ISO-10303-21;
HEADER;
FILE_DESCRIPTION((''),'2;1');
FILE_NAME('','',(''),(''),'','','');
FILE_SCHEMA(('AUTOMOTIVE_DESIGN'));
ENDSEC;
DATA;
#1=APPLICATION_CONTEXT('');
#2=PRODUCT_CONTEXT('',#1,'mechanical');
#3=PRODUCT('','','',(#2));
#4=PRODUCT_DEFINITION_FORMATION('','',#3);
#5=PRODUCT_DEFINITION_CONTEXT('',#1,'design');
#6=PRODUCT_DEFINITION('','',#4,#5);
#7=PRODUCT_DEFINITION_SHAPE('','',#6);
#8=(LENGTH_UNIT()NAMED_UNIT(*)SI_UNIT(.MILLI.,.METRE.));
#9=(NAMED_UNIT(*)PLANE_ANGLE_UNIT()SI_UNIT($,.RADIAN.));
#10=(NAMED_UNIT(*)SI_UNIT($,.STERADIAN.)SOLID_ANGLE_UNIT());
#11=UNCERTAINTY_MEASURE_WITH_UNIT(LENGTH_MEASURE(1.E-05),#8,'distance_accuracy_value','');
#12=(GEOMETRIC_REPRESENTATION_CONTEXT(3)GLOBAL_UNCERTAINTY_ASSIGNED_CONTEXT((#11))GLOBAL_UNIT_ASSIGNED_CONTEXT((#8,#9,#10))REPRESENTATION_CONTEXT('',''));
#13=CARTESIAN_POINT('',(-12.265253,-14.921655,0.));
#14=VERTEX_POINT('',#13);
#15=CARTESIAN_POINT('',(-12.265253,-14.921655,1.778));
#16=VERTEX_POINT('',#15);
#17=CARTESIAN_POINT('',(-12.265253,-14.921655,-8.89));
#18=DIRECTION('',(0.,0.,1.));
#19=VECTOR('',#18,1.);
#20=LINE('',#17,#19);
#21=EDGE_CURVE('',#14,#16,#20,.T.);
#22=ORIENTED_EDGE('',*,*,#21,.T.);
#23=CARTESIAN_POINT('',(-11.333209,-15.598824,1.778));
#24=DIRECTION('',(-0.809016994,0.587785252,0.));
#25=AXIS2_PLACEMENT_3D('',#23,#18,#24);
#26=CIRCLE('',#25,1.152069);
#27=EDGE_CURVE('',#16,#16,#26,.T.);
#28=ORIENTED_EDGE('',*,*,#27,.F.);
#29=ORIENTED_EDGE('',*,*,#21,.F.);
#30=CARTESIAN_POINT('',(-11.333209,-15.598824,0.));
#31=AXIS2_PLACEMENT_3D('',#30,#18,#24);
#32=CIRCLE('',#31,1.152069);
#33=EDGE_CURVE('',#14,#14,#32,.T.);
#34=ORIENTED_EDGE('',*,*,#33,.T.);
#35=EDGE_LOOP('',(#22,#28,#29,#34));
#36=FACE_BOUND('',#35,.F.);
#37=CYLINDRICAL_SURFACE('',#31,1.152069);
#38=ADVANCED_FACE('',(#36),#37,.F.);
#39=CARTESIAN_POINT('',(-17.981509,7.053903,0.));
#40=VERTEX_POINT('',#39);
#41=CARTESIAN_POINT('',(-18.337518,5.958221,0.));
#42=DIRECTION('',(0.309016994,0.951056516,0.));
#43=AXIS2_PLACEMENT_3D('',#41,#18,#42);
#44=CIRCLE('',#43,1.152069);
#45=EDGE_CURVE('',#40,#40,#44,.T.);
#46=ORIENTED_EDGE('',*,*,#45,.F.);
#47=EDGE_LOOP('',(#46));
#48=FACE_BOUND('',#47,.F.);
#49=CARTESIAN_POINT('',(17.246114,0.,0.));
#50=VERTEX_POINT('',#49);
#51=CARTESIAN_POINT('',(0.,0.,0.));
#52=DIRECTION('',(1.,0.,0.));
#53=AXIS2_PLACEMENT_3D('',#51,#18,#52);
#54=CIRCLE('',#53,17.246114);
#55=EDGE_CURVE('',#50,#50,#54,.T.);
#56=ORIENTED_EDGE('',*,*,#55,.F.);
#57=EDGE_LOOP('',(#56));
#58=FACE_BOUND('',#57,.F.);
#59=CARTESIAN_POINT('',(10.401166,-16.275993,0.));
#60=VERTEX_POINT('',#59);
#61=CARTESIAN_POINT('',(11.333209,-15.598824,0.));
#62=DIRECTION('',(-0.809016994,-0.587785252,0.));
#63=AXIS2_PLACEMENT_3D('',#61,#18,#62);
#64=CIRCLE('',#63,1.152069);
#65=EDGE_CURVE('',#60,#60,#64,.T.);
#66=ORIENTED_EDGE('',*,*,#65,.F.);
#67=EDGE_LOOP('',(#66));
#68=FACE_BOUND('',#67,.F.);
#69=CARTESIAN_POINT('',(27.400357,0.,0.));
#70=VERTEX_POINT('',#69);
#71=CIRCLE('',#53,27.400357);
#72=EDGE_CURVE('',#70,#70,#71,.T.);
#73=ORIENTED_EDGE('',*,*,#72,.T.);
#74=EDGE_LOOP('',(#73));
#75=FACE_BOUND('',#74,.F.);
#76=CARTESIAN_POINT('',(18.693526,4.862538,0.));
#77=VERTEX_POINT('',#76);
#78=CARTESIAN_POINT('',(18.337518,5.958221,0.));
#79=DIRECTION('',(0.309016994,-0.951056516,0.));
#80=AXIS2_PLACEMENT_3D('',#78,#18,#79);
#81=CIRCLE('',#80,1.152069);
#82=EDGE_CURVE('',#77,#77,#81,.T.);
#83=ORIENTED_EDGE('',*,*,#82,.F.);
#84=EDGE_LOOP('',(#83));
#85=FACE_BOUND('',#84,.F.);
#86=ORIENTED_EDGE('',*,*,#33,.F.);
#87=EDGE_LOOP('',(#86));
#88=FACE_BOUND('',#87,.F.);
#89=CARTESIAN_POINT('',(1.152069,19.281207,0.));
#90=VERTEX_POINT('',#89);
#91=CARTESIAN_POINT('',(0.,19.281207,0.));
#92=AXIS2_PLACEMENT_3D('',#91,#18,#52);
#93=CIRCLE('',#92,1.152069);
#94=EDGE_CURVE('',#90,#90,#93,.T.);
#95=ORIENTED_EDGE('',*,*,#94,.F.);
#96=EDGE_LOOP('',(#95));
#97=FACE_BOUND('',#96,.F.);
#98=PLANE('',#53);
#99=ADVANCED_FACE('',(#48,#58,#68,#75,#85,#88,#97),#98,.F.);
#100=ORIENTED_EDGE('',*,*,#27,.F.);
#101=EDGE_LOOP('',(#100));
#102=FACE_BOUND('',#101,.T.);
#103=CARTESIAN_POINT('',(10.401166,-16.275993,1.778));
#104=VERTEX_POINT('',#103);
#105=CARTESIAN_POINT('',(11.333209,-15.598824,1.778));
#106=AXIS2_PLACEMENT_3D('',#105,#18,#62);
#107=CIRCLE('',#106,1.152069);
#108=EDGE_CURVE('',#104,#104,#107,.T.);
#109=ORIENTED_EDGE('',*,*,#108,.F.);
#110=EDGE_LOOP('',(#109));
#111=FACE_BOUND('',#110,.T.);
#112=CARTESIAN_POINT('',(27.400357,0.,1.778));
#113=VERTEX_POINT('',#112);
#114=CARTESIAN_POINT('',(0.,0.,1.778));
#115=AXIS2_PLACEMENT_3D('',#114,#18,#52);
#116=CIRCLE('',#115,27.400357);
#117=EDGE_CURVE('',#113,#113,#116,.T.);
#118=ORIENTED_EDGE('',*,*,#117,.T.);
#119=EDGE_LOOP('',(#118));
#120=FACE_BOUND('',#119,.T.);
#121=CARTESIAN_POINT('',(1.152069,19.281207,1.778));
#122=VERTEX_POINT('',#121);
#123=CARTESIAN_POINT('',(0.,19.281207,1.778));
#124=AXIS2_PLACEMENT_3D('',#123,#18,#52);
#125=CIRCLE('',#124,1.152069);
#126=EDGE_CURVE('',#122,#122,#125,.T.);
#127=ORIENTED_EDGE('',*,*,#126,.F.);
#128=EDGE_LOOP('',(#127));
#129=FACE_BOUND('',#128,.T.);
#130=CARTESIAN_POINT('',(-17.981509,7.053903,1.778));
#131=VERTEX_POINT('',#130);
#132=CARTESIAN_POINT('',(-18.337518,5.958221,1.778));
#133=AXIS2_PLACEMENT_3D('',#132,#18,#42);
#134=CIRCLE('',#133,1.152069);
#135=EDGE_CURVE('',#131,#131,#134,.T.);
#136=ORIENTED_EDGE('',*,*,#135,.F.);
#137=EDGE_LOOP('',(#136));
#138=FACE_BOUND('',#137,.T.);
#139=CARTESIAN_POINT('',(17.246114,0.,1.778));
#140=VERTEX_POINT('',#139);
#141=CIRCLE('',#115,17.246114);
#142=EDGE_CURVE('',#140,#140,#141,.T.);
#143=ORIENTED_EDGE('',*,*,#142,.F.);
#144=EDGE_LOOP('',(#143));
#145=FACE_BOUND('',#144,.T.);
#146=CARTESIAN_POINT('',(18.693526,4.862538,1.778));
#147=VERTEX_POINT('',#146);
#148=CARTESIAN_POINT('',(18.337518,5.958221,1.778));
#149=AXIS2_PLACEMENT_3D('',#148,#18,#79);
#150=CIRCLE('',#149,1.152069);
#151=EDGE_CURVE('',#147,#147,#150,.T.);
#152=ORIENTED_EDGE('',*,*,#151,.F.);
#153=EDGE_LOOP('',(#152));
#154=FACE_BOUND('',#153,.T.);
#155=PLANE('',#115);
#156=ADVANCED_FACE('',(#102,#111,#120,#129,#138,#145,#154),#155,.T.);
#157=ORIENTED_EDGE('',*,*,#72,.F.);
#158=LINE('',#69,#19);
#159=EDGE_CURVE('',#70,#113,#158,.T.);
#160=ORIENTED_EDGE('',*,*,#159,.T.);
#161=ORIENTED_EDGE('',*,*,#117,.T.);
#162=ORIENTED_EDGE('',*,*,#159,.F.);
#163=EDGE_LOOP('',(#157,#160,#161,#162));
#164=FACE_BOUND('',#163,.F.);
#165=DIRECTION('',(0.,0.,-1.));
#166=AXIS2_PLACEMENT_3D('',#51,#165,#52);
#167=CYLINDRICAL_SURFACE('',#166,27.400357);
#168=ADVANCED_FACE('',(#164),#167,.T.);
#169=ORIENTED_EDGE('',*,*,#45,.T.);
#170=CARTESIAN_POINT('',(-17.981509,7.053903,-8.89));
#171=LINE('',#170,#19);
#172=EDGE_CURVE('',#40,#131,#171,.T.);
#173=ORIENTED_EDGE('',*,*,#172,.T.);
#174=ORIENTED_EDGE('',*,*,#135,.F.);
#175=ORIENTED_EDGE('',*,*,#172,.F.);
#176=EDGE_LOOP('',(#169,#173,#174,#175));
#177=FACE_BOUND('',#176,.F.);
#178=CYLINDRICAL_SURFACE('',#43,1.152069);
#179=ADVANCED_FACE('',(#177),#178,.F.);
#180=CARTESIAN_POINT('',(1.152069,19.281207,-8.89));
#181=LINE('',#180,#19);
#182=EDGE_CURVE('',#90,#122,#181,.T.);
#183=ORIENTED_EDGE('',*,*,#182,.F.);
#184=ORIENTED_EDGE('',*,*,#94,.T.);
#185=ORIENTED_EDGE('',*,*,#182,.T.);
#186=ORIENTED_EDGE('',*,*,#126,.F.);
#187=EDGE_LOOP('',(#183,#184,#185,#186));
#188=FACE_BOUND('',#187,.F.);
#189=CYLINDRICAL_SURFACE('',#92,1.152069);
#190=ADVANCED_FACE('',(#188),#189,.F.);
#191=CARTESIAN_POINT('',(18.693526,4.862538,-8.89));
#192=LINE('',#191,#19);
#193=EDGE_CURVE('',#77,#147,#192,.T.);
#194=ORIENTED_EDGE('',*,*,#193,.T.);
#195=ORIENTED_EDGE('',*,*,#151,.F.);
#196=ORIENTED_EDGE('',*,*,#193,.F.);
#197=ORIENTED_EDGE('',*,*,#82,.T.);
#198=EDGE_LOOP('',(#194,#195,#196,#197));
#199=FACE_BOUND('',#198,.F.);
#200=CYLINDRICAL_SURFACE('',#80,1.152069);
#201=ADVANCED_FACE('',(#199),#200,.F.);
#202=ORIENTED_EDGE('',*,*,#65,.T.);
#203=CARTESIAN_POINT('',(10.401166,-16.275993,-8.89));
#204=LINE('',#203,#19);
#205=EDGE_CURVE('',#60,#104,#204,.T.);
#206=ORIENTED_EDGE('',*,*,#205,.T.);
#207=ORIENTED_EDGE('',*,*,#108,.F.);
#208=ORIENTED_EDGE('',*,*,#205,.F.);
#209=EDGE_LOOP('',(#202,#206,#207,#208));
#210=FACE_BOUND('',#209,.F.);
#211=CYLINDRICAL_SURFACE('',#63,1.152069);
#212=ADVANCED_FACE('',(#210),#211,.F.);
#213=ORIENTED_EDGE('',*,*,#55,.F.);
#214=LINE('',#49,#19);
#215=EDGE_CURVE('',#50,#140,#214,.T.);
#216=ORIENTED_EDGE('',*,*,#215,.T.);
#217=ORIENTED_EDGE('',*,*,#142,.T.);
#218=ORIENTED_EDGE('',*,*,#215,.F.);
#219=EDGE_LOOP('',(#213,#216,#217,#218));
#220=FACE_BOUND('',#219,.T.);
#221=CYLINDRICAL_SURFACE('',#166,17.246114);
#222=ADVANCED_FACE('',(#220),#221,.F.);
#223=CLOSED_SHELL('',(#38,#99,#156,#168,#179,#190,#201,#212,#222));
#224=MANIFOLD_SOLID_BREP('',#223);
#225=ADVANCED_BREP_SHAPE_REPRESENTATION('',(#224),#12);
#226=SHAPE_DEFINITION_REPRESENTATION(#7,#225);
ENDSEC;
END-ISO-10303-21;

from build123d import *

# Parameters (mm, degrees)
F0_R     = 27.400357
F2_DEPTH = 1.778
F1_R     = 17.246114
F3_DEPTH = 1.778
F5_R     = 1.152069
F6_DEPTH = 8.89
F7_COUNT = 5


with BuildPart() as f2:
    # F0 (on Top) → F2 (new body)
    with BuildSketch(Plane.XY):
        Circle(F0_R)
    extrude(amount=F2_DEPTH)

    # F1 (on Top) → F3 (cut, through all)
    with BuildSketch(Plane.XY):
        Circle(F1_R)
    extrude(amount=F3_DEPTH, mode=Mode.SUBTRACT)


with BuildPart() as f6:
    # F5 (on Top) → F6 (new body, symmetric)
    with BuildSketch(Plane.XY):
        with Locations((0, 19.281207)):
            Circle(F5_R)
    extrude(amount=F6_DEPTH, both=True)


with BuildPart() as f7_1:
    # F7: instance of F6
    add(f6.part.rotate(Axis((0, 0, 1.187779), (0, 0, -1)), 1 * 360 / F7_COUNT))


with BuildPart() as f7_2:
    # F7: instance of F6
    add(f6.part.rotate(Axis((0, 0, 1.187779), (0, 0, -1)), 2 * 360 / F7_COUNT))


with BuildPart() as f7_3:
    # F7: instance of F6
    add(f6.part.rotate(Axis((0, 0, 1.187779), (0, 0, -1)), 3 * 360 / F7_COUNT))


with BuildPart() as f7_4:
    # F7: instance of F6
    add(f6.part.rotate(Axis((0, 0, 1.187779), (0, 0, -1)), 4 * 360 / F7_COUNT))


with BuildPart() as f2_1:
    add(f2.part)

    # F8: cut F7_4, F6, F7_1, F7_2, F7_3
    add(f7_4.part, mode=Mode.SUBTRACT)
    add(f6.part, mode=Mode.SUBTRACT)
    add(f7_1.part, mode=Mode.SUBTRACT)
    add(f7_2.part, mode=Mode.SUBTRACT)
    add(f7_3.part, mode=Mode.SUBTRACT)


solid = f2_1.part
